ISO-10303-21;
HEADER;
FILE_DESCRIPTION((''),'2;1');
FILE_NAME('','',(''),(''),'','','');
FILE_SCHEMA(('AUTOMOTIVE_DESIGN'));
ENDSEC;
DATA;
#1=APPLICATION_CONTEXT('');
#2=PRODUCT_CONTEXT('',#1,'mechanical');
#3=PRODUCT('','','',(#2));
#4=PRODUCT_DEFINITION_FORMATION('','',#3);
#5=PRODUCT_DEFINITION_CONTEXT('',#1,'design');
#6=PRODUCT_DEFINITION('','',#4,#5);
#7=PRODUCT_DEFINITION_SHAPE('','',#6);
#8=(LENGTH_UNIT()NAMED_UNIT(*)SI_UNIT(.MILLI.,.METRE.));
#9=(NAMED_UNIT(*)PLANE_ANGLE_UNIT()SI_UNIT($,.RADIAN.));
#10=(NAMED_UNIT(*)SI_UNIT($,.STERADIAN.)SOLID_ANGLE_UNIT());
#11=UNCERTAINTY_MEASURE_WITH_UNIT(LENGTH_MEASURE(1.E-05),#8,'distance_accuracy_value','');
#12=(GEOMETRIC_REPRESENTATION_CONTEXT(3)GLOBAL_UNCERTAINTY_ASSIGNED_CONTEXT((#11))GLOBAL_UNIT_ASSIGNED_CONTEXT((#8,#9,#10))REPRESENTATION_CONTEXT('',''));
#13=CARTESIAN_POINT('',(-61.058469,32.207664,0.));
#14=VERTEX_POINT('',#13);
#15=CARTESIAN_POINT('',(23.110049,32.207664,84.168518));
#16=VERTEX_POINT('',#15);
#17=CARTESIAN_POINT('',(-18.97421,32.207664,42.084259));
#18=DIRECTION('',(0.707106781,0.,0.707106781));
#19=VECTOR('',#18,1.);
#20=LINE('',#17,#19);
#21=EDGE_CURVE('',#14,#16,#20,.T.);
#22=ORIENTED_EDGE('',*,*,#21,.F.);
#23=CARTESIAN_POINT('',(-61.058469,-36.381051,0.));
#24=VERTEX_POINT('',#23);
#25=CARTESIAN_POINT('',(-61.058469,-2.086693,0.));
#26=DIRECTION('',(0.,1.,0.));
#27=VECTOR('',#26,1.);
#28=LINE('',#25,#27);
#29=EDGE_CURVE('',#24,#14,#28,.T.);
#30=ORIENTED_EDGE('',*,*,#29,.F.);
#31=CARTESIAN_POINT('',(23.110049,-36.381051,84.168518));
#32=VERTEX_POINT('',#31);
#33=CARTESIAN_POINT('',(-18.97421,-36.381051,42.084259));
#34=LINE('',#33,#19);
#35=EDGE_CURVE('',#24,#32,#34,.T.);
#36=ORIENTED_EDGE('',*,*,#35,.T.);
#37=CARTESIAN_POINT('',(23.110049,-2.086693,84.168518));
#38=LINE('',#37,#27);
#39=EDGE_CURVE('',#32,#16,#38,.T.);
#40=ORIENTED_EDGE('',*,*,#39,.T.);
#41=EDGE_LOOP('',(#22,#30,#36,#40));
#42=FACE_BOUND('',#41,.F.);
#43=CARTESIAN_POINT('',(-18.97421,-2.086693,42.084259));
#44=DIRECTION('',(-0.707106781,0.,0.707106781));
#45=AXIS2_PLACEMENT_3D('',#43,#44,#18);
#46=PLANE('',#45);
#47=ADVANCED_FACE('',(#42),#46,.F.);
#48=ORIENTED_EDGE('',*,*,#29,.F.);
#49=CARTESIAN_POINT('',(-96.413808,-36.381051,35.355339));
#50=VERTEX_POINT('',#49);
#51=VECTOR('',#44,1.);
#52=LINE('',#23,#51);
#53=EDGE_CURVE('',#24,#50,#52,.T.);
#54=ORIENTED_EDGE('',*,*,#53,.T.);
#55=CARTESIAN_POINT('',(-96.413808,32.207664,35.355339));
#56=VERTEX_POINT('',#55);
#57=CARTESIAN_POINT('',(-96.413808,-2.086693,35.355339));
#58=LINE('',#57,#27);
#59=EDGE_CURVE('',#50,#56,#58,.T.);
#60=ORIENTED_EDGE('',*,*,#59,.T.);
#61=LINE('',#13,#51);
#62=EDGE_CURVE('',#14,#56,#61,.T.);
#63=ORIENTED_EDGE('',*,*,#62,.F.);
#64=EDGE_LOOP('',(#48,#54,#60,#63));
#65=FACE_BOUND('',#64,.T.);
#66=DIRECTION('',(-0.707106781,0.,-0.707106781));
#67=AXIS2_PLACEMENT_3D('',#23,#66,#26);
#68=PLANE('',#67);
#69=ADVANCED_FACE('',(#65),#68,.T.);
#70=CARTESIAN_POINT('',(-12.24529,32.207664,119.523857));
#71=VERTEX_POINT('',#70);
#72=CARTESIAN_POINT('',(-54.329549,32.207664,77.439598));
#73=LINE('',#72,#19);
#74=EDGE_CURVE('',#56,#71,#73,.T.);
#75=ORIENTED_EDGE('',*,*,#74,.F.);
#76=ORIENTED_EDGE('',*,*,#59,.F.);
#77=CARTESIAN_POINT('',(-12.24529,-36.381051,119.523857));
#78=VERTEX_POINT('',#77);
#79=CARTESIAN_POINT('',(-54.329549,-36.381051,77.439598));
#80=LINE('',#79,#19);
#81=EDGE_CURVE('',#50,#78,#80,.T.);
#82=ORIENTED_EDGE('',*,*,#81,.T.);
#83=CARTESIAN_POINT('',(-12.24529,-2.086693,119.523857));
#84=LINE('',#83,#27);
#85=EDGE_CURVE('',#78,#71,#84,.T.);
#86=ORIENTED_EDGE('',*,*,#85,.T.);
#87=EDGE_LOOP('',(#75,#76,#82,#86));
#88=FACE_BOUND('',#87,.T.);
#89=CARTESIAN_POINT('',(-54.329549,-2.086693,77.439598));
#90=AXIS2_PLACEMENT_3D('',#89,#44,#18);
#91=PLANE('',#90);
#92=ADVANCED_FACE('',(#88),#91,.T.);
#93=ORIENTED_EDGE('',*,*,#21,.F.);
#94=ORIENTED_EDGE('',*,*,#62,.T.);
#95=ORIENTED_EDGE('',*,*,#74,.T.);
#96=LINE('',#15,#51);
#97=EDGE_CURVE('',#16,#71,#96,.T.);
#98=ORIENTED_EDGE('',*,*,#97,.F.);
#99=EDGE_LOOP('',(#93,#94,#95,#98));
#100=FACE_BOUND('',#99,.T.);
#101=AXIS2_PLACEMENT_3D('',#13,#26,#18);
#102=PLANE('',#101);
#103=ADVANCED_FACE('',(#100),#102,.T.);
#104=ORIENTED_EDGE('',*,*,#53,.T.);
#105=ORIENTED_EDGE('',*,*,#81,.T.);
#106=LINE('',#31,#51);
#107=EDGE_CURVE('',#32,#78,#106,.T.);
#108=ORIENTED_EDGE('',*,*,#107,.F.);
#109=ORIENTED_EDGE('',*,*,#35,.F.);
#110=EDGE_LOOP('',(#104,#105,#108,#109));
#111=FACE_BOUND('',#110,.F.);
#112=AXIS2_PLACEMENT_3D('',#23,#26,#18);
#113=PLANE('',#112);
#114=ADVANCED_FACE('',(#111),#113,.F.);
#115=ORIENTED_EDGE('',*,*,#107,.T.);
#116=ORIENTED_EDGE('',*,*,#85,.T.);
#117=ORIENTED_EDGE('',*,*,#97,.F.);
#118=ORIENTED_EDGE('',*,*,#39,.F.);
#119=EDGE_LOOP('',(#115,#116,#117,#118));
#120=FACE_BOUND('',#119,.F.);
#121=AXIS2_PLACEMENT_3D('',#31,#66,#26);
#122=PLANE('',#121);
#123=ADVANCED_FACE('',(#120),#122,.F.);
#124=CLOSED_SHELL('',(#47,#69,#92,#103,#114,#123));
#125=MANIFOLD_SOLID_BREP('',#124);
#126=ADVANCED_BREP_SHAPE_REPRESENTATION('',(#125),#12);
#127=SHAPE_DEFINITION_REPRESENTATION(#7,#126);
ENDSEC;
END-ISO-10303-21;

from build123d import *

# Parameters (mm, degrees)
F0_W     = 119.0322600305
F0_H     = 68.5887150466
F1_DEPTH = 50
F2_ANGLE = 45


with BuildPart() as f1:
    # F0 (on Top) → F1 (new body)
    with BuildSketch(Plane.XY):
        with Locations((-1.5423391014, -2.086693421)):
            Rectangle(F0_W, F0_H)
    extrude(amount=F1_DEPTH)


with BuildPart() as f1_1:
    # F2: moved
    add(f1.part.rotate(Axis((-61.0584691167, -2.086693421, 0), (0, -1, 0)), F2_ANGLE))


solid = f1_1.part
